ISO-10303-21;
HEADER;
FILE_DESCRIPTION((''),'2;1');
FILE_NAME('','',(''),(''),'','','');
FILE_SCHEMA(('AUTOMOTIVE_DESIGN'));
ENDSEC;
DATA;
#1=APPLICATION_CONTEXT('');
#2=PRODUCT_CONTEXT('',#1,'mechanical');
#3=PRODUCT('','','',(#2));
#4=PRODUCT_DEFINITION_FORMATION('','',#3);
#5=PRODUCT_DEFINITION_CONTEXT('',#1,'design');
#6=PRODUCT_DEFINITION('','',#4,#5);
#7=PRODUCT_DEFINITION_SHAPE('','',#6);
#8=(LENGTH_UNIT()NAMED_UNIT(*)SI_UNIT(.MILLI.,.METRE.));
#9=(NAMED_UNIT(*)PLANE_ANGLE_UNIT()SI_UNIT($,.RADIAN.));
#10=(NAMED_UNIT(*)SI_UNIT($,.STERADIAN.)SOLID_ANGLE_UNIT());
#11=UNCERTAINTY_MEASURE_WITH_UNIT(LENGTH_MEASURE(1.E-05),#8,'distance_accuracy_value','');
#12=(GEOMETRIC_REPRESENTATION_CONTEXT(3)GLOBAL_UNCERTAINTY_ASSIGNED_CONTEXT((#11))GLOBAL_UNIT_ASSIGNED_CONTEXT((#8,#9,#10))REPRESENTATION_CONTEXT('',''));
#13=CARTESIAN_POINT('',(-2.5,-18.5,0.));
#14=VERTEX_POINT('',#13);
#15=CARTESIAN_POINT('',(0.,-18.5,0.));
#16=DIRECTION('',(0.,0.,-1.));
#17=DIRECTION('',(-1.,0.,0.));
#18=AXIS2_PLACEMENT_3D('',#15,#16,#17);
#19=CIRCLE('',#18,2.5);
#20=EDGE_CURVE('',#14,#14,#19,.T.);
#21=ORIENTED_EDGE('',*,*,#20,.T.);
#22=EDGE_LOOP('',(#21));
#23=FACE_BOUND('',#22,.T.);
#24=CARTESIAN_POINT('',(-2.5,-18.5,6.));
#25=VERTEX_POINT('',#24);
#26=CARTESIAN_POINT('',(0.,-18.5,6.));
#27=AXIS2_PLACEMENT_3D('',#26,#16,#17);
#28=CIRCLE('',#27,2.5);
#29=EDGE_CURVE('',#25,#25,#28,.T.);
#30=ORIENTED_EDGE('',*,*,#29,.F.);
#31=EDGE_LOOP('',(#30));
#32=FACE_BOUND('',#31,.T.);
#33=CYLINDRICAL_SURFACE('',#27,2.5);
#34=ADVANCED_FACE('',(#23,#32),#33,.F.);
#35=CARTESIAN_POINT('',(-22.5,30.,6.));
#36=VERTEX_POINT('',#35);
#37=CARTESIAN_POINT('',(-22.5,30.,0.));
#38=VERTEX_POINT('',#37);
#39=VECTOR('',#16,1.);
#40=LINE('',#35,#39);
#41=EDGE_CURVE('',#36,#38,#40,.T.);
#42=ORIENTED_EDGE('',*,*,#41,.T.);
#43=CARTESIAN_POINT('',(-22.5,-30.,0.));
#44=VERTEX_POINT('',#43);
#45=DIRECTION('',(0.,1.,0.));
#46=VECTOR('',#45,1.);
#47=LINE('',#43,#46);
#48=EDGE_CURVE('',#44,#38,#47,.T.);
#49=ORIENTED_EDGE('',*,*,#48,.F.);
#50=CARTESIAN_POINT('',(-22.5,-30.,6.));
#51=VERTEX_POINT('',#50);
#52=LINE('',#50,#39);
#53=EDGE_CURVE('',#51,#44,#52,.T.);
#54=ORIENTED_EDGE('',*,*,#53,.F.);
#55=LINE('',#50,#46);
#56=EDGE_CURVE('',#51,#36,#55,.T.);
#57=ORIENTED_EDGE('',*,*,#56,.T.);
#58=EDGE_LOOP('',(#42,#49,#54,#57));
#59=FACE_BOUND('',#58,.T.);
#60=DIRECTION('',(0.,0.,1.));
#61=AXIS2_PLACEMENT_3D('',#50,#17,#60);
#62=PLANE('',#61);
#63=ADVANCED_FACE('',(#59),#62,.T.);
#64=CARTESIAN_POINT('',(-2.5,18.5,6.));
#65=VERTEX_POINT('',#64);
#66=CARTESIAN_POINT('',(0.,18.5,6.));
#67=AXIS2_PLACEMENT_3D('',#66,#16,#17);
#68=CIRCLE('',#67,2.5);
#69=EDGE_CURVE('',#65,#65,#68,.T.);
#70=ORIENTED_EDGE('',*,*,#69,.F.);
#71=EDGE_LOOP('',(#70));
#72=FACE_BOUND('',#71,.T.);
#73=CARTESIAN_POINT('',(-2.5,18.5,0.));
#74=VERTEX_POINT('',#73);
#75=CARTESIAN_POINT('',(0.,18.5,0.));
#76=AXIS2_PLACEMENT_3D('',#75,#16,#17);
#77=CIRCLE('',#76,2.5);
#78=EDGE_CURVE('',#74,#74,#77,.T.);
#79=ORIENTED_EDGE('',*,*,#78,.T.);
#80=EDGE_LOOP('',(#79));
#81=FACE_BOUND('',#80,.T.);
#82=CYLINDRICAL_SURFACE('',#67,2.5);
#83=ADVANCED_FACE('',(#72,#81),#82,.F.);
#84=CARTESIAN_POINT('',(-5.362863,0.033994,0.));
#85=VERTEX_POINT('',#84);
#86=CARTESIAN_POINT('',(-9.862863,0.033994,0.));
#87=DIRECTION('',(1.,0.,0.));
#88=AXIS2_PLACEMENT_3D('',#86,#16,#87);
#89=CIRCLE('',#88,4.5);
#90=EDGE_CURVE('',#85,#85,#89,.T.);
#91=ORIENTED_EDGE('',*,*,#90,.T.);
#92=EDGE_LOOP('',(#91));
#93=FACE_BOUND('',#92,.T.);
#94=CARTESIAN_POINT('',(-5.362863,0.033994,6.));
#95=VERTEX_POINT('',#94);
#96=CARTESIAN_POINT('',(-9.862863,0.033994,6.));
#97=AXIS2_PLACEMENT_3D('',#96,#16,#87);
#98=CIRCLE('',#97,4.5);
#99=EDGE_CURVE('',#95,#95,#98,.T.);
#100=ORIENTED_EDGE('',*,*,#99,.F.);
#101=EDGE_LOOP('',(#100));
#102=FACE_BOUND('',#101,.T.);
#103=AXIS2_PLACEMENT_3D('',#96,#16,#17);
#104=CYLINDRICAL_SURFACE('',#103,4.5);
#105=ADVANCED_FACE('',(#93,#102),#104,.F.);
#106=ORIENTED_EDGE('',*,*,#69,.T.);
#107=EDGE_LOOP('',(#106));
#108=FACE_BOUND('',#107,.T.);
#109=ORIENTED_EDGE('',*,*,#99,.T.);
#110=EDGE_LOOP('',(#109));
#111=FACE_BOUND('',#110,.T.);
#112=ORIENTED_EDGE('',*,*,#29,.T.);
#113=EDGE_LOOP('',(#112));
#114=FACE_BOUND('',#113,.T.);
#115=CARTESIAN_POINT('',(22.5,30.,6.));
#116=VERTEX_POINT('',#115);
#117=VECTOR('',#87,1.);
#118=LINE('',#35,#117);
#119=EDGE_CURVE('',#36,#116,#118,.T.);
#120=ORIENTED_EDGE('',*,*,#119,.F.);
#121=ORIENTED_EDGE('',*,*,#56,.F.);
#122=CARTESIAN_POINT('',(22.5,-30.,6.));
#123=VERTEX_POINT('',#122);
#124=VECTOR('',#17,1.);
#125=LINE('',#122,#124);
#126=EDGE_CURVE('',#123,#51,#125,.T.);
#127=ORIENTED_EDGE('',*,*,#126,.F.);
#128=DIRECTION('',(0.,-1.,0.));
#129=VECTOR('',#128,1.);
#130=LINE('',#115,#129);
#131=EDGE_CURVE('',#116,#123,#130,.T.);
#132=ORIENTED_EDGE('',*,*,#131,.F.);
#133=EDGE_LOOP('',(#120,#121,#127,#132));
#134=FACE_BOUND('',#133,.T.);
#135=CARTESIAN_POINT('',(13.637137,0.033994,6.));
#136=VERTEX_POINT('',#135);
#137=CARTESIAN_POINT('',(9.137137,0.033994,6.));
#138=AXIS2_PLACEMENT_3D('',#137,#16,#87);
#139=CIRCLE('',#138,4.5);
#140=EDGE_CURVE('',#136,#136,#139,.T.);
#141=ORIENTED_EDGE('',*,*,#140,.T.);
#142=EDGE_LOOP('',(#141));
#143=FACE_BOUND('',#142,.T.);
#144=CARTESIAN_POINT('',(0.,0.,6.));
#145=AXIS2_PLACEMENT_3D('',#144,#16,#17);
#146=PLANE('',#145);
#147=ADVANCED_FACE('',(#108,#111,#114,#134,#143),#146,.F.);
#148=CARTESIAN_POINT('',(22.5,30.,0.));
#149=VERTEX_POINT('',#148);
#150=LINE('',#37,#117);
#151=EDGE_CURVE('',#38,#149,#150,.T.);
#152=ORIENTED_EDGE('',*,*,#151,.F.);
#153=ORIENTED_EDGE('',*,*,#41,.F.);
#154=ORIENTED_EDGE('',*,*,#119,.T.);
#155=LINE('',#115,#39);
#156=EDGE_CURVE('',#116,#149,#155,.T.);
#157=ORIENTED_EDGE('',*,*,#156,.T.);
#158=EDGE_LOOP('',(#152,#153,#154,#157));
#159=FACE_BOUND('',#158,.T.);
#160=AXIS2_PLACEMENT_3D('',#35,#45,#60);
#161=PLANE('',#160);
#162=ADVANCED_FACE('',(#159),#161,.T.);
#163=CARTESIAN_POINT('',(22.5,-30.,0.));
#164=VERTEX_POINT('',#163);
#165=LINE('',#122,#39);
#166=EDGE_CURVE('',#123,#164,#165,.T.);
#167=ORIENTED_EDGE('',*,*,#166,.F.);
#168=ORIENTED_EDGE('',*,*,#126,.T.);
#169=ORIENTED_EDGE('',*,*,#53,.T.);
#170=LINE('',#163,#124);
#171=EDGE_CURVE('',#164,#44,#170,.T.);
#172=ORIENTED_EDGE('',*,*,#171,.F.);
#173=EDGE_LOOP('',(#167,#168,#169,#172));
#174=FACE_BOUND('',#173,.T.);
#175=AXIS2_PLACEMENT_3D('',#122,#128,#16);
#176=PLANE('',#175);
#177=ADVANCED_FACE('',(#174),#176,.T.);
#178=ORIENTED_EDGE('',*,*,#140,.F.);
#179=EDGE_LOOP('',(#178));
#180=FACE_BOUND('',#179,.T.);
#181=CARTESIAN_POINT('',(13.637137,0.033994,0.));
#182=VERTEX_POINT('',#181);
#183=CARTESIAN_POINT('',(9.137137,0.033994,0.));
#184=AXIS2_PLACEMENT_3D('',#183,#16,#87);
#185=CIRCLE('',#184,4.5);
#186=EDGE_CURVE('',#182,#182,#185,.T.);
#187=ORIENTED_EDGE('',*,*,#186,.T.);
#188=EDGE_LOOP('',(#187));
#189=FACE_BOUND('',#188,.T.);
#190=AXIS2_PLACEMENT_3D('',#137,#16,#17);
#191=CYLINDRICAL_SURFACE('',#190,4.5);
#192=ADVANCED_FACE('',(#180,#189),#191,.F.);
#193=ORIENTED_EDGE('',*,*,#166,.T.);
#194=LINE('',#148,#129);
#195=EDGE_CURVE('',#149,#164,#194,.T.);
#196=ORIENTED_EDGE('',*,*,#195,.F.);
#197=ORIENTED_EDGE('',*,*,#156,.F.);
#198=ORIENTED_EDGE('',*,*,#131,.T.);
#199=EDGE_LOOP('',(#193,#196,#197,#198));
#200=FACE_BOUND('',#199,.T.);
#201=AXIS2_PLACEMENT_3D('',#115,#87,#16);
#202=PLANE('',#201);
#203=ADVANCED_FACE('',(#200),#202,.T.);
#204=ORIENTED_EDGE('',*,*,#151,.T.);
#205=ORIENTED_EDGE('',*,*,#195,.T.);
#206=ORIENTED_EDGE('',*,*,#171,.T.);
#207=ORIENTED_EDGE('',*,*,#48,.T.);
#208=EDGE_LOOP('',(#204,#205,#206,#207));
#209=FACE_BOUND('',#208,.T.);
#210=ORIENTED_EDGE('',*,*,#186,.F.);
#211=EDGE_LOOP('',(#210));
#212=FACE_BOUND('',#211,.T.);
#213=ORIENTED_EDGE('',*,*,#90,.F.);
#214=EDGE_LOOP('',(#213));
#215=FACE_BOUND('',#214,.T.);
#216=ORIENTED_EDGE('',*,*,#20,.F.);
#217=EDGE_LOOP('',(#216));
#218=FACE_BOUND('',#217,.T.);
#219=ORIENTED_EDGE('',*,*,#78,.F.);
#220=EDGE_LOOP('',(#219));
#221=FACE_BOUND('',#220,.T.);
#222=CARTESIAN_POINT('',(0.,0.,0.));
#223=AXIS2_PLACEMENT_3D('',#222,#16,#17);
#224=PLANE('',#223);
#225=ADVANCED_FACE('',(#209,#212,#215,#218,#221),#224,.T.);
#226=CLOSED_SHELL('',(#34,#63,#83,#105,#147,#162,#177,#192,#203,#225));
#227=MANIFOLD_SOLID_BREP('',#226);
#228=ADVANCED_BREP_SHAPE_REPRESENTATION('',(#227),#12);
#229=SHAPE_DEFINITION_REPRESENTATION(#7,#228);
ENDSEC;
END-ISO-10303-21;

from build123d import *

# Parameters (mm, degrees)
SKETCH1_W           = 45
SKETCH1_H           = 60
SKETCH1_R           = 4.5
SKETCH1_R_2         = 2.5
BOSS_EXTRUDE1_DEPTH = 6


with BuildPart() as part:
    # Sketch1 → Boss-Extrude1 (new body)
    with BuildSketch(Plane(origin=(0, 0, 0), x_dir=(-1, 0, 0), z_dir=(0, 0, -1))):
        Rectangle(SKETCH1_W, SKETCH1_H)
        with Locations(Location((-9.137137395, 0.033994069, 0), (0, 0, 180))):
            Circle(SKETCH1_R, mode=Mode.SUBTRACT)
        with Locations((0, 18.5)):
            Circle(SKETCH1_R_2, mode=Mode.SUBTRACT)
        with Locations((0, -18.5)):
            Circle(SKETCH1_R_2, mode=Mode.SUBTRACT)
        with Locations(Location((9.862862605, 0.033994069, 0), (0, 0, 180))):
            Circle(SKETCH1_R, mode=Mode.SUBTRACT)
    extrude(amount=-BOSS_EXTRUDE1_DEPTH)


solid = part.part
